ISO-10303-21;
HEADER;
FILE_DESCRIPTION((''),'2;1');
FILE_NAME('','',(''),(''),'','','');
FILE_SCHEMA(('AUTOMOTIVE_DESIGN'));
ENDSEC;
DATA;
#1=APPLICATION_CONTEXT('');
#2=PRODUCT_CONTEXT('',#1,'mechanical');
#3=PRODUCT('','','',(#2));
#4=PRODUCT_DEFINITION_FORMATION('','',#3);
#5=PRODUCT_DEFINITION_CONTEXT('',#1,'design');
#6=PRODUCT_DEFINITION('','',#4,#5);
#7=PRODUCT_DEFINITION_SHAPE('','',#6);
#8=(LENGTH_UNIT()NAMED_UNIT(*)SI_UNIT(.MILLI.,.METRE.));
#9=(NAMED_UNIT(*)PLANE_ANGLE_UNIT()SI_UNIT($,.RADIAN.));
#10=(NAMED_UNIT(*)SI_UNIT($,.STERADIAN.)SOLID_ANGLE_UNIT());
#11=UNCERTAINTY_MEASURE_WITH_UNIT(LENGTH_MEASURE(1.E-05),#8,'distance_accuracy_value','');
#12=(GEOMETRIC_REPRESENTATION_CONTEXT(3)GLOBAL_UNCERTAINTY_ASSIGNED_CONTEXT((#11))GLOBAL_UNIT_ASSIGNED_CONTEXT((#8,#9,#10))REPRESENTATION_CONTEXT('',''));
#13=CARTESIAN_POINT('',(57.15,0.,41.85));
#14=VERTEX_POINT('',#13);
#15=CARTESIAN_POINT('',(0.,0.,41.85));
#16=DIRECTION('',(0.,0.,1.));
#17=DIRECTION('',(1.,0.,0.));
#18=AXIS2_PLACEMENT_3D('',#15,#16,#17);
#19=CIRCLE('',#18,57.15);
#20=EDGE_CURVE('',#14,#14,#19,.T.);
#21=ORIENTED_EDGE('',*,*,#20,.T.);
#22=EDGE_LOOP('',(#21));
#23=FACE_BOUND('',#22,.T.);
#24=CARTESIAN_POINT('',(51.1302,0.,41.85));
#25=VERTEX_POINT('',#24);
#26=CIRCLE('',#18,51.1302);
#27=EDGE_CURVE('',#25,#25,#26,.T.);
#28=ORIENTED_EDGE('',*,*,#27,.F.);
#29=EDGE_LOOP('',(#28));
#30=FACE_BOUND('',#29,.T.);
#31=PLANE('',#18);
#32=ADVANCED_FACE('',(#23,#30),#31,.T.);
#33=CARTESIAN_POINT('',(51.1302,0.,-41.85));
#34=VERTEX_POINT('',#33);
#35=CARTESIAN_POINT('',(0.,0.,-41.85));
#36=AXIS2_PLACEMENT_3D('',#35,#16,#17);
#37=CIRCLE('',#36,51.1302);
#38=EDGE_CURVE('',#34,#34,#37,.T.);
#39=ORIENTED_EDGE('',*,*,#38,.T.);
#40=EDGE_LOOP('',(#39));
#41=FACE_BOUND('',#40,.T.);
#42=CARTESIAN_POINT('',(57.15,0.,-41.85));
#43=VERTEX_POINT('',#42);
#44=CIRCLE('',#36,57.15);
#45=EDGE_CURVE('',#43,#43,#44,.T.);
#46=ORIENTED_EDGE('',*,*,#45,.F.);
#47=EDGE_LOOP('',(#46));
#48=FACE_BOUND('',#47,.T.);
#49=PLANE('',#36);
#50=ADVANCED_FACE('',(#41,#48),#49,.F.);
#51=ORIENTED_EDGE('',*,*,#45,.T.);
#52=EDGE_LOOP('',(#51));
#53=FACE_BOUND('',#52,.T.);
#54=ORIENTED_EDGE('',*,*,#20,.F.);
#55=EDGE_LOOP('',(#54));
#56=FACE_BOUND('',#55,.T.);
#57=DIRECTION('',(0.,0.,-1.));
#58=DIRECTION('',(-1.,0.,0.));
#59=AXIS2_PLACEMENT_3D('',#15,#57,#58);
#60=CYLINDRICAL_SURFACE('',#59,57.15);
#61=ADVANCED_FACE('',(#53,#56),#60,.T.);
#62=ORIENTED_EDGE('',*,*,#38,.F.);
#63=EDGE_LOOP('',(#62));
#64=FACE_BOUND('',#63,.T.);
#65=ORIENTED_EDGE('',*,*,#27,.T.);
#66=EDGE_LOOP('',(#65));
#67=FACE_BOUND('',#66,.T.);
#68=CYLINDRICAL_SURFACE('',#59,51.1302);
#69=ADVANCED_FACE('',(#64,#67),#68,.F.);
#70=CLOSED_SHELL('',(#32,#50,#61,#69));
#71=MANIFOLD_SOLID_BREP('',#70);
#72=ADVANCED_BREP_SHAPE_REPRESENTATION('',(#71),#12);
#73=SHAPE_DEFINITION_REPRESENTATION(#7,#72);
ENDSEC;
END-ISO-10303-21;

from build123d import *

# Parameters (mm, degrees)
SKETCH1_R           = 57.15
SKETCH1_R_2         = 51.1302
EXTRUDE_THIN1_DEPTH = 41.85


with BuildPart() as part:
    # Sketch1 → Extrude-Thin1 (new body, symmetric)
    with BuildSketch(Plane.XY):
        Circle(SKETCH1_R)
        Circle(SKETCH1_R_2, mode=Mode.SUBTRACT)
    extrude(amount=EXTRUDE_THIN1_DEPTH, both=True)


solid = part.part
